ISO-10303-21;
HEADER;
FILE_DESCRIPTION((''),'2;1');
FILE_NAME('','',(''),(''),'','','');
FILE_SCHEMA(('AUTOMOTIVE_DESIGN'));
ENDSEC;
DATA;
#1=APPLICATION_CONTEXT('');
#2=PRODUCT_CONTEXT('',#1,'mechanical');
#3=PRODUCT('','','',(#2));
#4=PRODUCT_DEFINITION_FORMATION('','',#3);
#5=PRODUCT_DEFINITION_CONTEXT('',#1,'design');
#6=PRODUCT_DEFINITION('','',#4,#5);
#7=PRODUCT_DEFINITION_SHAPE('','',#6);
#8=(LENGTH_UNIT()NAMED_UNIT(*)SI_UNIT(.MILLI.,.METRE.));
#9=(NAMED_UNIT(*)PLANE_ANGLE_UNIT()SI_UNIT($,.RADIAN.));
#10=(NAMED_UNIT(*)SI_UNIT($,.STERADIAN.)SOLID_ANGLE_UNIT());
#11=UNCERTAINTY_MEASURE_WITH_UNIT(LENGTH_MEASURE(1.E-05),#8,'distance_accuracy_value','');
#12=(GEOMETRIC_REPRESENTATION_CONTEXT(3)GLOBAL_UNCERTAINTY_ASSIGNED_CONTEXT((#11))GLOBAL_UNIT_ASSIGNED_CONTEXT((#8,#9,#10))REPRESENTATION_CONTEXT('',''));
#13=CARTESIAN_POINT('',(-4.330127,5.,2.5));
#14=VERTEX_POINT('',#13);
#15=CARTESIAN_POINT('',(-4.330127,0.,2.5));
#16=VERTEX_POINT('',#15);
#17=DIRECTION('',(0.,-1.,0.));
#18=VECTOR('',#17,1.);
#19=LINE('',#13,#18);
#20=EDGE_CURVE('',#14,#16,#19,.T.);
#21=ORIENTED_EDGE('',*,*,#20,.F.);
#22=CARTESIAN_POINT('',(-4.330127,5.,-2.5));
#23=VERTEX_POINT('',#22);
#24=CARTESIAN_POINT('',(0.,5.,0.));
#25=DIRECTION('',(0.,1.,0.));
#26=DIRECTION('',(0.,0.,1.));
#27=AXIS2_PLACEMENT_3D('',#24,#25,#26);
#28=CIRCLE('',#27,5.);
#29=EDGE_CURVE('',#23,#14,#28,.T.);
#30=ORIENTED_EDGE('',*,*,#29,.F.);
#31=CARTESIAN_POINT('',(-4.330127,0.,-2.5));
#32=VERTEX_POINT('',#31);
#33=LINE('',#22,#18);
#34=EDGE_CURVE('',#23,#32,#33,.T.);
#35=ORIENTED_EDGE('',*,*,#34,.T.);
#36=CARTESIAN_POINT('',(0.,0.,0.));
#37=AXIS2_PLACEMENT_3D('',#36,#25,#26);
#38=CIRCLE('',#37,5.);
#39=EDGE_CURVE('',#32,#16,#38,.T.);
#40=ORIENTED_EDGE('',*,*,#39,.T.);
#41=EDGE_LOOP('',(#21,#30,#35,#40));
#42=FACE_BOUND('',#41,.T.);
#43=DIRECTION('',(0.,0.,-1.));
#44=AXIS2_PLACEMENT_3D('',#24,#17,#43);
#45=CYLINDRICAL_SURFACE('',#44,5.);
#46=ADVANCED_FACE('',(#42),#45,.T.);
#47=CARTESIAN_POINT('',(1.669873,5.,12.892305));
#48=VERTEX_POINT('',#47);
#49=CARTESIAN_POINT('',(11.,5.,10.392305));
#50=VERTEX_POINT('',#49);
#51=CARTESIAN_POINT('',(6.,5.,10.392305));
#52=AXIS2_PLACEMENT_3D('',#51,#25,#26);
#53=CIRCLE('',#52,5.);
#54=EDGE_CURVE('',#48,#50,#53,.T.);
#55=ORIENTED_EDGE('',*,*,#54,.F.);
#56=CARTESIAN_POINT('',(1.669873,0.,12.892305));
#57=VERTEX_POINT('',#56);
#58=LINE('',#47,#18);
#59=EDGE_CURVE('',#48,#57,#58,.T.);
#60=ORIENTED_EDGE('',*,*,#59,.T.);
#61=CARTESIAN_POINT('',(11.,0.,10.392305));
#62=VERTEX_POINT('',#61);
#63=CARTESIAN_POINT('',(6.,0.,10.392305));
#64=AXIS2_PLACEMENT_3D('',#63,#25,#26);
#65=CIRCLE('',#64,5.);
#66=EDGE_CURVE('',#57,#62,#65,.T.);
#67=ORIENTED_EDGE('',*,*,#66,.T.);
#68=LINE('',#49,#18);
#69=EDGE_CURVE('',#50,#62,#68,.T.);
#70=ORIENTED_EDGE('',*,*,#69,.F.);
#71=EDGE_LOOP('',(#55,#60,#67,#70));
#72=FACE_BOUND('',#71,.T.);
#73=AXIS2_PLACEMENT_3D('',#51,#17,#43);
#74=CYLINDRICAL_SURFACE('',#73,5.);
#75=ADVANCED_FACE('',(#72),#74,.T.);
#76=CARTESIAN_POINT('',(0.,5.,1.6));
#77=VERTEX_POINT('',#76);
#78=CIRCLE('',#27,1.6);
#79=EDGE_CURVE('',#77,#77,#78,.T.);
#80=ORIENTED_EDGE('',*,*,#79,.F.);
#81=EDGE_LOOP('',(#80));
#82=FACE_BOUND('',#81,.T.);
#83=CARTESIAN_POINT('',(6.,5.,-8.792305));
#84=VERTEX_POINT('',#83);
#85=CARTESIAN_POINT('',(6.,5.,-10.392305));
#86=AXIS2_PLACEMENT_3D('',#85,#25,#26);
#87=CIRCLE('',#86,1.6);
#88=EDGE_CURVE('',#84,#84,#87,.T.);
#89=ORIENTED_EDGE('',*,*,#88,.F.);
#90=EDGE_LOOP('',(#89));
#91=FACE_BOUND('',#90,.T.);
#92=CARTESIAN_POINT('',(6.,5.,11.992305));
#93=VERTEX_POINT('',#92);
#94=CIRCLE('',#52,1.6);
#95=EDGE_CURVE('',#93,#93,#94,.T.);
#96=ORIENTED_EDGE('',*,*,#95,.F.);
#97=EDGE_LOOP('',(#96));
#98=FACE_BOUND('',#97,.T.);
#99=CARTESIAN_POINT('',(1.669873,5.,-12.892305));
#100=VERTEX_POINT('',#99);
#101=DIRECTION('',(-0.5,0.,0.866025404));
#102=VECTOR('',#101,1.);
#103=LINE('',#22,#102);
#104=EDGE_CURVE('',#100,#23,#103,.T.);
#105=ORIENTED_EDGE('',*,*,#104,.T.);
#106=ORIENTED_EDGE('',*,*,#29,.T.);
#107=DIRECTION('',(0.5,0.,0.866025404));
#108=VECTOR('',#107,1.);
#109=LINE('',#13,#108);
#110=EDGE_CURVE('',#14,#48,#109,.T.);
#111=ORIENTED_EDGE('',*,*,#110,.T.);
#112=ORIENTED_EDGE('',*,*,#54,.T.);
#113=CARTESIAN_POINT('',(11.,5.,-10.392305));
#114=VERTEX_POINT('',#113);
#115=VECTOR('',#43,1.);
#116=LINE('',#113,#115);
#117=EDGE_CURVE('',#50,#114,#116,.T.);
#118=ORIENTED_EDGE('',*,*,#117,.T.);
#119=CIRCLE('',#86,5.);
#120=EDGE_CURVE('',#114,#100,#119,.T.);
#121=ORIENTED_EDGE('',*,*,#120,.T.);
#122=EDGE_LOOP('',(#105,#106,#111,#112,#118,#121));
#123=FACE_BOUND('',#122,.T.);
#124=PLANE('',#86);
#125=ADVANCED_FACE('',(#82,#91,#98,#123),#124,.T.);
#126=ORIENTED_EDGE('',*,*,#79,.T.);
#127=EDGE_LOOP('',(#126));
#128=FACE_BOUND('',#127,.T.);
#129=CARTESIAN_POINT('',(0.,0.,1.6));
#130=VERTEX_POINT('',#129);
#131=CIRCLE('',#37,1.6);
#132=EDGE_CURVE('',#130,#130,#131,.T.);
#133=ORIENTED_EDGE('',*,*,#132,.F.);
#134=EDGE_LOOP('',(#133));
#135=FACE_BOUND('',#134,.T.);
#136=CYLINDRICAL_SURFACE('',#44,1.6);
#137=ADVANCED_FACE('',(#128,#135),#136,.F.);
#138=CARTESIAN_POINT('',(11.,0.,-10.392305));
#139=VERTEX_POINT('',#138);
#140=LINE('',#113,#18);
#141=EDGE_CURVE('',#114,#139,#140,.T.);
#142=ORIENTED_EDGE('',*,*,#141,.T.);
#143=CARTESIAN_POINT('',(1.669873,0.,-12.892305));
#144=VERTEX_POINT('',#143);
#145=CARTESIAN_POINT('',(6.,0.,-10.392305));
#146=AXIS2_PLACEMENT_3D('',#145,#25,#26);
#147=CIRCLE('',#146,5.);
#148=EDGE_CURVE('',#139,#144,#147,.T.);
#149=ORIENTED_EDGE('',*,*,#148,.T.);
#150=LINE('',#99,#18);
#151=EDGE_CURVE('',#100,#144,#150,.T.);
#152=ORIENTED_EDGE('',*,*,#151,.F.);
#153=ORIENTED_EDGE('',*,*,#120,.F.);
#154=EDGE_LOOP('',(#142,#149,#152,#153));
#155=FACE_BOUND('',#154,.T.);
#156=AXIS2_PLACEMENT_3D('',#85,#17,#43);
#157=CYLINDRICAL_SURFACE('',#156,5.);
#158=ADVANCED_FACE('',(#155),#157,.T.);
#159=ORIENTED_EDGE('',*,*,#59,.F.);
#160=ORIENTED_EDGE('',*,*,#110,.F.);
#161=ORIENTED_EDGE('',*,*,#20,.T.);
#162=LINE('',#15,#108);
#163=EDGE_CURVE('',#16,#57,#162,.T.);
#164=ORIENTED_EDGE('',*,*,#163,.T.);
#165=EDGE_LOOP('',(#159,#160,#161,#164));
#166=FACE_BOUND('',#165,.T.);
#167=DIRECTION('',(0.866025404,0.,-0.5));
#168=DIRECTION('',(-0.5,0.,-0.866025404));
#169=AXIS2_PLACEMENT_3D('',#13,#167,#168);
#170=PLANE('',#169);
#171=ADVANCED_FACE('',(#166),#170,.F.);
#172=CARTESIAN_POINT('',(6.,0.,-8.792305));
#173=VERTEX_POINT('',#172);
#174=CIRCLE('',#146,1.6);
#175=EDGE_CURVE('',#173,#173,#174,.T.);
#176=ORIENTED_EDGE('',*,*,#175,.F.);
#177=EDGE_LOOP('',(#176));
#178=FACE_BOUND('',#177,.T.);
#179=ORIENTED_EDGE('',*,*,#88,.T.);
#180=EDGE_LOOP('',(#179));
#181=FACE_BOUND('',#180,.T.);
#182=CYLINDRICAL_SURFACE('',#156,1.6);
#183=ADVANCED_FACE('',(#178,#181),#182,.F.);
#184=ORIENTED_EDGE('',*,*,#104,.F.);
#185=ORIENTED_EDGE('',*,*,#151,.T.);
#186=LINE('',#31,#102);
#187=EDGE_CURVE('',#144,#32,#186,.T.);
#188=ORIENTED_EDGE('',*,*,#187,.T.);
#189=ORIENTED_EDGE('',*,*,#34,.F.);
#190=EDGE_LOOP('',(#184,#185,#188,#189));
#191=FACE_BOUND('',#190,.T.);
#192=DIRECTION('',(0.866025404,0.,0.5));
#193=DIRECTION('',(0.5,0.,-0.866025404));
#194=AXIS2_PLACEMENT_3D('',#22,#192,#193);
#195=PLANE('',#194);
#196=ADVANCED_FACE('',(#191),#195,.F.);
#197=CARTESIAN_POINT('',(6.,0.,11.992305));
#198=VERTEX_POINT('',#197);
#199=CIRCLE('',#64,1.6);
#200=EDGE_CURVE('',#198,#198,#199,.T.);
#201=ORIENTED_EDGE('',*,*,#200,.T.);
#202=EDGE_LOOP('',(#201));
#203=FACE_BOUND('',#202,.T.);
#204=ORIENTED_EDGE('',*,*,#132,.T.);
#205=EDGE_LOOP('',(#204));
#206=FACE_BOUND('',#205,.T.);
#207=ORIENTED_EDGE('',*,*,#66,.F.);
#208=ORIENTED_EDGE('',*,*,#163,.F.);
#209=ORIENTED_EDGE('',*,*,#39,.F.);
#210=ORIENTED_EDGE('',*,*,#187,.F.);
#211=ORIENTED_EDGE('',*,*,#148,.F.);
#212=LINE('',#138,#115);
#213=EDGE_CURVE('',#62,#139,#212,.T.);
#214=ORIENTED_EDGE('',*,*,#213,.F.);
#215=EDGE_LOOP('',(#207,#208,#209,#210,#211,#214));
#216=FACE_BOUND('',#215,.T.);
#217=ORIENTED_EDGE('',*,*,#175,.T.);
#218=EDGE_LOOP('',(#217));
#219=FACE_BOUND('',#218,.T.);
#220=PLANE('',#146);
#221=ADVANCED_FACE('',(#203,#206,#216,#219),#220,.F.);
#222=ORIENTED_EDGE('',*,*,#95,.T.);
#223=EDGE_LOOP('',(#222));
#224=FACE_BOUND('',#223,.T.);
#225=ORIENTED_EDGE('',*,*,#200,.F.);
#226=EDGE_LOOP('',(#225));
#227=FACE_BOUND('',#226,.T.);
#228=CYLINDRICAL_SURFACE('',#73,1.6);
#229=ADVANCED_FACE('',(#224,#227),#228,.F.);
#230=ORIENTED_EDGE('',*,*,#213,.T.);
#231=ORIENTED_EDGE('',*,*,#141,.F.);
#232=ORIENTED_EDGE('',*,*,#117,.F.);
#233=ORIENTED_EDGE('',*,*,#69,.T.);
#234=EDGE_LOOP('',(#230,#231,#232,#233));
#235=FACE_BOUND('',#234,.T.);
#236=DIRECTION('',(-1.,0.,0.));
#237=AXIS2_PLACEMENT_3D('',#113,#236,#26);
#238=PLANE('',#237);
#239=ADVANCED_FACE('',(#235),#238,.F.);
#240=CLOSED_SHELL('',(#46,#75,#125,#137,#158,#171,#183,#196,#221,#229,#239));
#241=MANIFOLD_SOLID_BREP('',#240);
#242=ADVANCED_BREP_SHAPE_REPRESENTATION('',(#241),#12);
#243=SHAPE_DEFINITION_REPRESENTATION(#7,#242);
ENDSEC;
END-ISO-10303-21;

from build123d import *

# Parameters (mm, degrees)
SKETCH_1_R      = 1.6
EXTRUDE_1_DEPTH = 5


with BuildPart() as part:
    # ｽｹｯﾁ1 → ﾎﾞｽ - 押し出し1 (new body)
    with BuildSketch(Plane(origin=(0, 0, 0), x_dir=(1, 0, 0), z_dir=(0, 1, 0))):
        with BuildLine():
            Line((11, 10.392304845), (11, -10.392304845))
            ThreePointArc((11, -10.392304845), (7.294095226, -15.221933977), (1.669872981, -12.892304845))
            Line((1.669872981, -12.892304845), (-4.330127019, -2.5))
            ThreePointArc((-4.330127019, -2.5), (-5, 0), (-4.330127019, 2.5))
            Line((-4.330127019, 2.5), (1.669872981, 12.892304845))
            ThreePointArc((1.669872981, 12.892304845), (7.294095226, 15.221933977), (11, 10.392304845))
        make_face()
        with Locations(Location((0, 0, 0), (0, 0, 270))):
            Circle(SKETCH_1_R, mode=Mode.SUBTRACT)
        with Locations(Location((6, 10.392304845, 0), (0, 0, 270))):
            Circle(SKETCH_1_R, mode=Mode.SUBTRACT)
        with Locations(Location((6, -10.392304845, 0), (0, 0, 270))):
            Circle(SKETCH_1_R, mode=Mode.SUBTRACT)
    extrude(amount=EXTRUDE_1_DEPTH)


solid = part.part
